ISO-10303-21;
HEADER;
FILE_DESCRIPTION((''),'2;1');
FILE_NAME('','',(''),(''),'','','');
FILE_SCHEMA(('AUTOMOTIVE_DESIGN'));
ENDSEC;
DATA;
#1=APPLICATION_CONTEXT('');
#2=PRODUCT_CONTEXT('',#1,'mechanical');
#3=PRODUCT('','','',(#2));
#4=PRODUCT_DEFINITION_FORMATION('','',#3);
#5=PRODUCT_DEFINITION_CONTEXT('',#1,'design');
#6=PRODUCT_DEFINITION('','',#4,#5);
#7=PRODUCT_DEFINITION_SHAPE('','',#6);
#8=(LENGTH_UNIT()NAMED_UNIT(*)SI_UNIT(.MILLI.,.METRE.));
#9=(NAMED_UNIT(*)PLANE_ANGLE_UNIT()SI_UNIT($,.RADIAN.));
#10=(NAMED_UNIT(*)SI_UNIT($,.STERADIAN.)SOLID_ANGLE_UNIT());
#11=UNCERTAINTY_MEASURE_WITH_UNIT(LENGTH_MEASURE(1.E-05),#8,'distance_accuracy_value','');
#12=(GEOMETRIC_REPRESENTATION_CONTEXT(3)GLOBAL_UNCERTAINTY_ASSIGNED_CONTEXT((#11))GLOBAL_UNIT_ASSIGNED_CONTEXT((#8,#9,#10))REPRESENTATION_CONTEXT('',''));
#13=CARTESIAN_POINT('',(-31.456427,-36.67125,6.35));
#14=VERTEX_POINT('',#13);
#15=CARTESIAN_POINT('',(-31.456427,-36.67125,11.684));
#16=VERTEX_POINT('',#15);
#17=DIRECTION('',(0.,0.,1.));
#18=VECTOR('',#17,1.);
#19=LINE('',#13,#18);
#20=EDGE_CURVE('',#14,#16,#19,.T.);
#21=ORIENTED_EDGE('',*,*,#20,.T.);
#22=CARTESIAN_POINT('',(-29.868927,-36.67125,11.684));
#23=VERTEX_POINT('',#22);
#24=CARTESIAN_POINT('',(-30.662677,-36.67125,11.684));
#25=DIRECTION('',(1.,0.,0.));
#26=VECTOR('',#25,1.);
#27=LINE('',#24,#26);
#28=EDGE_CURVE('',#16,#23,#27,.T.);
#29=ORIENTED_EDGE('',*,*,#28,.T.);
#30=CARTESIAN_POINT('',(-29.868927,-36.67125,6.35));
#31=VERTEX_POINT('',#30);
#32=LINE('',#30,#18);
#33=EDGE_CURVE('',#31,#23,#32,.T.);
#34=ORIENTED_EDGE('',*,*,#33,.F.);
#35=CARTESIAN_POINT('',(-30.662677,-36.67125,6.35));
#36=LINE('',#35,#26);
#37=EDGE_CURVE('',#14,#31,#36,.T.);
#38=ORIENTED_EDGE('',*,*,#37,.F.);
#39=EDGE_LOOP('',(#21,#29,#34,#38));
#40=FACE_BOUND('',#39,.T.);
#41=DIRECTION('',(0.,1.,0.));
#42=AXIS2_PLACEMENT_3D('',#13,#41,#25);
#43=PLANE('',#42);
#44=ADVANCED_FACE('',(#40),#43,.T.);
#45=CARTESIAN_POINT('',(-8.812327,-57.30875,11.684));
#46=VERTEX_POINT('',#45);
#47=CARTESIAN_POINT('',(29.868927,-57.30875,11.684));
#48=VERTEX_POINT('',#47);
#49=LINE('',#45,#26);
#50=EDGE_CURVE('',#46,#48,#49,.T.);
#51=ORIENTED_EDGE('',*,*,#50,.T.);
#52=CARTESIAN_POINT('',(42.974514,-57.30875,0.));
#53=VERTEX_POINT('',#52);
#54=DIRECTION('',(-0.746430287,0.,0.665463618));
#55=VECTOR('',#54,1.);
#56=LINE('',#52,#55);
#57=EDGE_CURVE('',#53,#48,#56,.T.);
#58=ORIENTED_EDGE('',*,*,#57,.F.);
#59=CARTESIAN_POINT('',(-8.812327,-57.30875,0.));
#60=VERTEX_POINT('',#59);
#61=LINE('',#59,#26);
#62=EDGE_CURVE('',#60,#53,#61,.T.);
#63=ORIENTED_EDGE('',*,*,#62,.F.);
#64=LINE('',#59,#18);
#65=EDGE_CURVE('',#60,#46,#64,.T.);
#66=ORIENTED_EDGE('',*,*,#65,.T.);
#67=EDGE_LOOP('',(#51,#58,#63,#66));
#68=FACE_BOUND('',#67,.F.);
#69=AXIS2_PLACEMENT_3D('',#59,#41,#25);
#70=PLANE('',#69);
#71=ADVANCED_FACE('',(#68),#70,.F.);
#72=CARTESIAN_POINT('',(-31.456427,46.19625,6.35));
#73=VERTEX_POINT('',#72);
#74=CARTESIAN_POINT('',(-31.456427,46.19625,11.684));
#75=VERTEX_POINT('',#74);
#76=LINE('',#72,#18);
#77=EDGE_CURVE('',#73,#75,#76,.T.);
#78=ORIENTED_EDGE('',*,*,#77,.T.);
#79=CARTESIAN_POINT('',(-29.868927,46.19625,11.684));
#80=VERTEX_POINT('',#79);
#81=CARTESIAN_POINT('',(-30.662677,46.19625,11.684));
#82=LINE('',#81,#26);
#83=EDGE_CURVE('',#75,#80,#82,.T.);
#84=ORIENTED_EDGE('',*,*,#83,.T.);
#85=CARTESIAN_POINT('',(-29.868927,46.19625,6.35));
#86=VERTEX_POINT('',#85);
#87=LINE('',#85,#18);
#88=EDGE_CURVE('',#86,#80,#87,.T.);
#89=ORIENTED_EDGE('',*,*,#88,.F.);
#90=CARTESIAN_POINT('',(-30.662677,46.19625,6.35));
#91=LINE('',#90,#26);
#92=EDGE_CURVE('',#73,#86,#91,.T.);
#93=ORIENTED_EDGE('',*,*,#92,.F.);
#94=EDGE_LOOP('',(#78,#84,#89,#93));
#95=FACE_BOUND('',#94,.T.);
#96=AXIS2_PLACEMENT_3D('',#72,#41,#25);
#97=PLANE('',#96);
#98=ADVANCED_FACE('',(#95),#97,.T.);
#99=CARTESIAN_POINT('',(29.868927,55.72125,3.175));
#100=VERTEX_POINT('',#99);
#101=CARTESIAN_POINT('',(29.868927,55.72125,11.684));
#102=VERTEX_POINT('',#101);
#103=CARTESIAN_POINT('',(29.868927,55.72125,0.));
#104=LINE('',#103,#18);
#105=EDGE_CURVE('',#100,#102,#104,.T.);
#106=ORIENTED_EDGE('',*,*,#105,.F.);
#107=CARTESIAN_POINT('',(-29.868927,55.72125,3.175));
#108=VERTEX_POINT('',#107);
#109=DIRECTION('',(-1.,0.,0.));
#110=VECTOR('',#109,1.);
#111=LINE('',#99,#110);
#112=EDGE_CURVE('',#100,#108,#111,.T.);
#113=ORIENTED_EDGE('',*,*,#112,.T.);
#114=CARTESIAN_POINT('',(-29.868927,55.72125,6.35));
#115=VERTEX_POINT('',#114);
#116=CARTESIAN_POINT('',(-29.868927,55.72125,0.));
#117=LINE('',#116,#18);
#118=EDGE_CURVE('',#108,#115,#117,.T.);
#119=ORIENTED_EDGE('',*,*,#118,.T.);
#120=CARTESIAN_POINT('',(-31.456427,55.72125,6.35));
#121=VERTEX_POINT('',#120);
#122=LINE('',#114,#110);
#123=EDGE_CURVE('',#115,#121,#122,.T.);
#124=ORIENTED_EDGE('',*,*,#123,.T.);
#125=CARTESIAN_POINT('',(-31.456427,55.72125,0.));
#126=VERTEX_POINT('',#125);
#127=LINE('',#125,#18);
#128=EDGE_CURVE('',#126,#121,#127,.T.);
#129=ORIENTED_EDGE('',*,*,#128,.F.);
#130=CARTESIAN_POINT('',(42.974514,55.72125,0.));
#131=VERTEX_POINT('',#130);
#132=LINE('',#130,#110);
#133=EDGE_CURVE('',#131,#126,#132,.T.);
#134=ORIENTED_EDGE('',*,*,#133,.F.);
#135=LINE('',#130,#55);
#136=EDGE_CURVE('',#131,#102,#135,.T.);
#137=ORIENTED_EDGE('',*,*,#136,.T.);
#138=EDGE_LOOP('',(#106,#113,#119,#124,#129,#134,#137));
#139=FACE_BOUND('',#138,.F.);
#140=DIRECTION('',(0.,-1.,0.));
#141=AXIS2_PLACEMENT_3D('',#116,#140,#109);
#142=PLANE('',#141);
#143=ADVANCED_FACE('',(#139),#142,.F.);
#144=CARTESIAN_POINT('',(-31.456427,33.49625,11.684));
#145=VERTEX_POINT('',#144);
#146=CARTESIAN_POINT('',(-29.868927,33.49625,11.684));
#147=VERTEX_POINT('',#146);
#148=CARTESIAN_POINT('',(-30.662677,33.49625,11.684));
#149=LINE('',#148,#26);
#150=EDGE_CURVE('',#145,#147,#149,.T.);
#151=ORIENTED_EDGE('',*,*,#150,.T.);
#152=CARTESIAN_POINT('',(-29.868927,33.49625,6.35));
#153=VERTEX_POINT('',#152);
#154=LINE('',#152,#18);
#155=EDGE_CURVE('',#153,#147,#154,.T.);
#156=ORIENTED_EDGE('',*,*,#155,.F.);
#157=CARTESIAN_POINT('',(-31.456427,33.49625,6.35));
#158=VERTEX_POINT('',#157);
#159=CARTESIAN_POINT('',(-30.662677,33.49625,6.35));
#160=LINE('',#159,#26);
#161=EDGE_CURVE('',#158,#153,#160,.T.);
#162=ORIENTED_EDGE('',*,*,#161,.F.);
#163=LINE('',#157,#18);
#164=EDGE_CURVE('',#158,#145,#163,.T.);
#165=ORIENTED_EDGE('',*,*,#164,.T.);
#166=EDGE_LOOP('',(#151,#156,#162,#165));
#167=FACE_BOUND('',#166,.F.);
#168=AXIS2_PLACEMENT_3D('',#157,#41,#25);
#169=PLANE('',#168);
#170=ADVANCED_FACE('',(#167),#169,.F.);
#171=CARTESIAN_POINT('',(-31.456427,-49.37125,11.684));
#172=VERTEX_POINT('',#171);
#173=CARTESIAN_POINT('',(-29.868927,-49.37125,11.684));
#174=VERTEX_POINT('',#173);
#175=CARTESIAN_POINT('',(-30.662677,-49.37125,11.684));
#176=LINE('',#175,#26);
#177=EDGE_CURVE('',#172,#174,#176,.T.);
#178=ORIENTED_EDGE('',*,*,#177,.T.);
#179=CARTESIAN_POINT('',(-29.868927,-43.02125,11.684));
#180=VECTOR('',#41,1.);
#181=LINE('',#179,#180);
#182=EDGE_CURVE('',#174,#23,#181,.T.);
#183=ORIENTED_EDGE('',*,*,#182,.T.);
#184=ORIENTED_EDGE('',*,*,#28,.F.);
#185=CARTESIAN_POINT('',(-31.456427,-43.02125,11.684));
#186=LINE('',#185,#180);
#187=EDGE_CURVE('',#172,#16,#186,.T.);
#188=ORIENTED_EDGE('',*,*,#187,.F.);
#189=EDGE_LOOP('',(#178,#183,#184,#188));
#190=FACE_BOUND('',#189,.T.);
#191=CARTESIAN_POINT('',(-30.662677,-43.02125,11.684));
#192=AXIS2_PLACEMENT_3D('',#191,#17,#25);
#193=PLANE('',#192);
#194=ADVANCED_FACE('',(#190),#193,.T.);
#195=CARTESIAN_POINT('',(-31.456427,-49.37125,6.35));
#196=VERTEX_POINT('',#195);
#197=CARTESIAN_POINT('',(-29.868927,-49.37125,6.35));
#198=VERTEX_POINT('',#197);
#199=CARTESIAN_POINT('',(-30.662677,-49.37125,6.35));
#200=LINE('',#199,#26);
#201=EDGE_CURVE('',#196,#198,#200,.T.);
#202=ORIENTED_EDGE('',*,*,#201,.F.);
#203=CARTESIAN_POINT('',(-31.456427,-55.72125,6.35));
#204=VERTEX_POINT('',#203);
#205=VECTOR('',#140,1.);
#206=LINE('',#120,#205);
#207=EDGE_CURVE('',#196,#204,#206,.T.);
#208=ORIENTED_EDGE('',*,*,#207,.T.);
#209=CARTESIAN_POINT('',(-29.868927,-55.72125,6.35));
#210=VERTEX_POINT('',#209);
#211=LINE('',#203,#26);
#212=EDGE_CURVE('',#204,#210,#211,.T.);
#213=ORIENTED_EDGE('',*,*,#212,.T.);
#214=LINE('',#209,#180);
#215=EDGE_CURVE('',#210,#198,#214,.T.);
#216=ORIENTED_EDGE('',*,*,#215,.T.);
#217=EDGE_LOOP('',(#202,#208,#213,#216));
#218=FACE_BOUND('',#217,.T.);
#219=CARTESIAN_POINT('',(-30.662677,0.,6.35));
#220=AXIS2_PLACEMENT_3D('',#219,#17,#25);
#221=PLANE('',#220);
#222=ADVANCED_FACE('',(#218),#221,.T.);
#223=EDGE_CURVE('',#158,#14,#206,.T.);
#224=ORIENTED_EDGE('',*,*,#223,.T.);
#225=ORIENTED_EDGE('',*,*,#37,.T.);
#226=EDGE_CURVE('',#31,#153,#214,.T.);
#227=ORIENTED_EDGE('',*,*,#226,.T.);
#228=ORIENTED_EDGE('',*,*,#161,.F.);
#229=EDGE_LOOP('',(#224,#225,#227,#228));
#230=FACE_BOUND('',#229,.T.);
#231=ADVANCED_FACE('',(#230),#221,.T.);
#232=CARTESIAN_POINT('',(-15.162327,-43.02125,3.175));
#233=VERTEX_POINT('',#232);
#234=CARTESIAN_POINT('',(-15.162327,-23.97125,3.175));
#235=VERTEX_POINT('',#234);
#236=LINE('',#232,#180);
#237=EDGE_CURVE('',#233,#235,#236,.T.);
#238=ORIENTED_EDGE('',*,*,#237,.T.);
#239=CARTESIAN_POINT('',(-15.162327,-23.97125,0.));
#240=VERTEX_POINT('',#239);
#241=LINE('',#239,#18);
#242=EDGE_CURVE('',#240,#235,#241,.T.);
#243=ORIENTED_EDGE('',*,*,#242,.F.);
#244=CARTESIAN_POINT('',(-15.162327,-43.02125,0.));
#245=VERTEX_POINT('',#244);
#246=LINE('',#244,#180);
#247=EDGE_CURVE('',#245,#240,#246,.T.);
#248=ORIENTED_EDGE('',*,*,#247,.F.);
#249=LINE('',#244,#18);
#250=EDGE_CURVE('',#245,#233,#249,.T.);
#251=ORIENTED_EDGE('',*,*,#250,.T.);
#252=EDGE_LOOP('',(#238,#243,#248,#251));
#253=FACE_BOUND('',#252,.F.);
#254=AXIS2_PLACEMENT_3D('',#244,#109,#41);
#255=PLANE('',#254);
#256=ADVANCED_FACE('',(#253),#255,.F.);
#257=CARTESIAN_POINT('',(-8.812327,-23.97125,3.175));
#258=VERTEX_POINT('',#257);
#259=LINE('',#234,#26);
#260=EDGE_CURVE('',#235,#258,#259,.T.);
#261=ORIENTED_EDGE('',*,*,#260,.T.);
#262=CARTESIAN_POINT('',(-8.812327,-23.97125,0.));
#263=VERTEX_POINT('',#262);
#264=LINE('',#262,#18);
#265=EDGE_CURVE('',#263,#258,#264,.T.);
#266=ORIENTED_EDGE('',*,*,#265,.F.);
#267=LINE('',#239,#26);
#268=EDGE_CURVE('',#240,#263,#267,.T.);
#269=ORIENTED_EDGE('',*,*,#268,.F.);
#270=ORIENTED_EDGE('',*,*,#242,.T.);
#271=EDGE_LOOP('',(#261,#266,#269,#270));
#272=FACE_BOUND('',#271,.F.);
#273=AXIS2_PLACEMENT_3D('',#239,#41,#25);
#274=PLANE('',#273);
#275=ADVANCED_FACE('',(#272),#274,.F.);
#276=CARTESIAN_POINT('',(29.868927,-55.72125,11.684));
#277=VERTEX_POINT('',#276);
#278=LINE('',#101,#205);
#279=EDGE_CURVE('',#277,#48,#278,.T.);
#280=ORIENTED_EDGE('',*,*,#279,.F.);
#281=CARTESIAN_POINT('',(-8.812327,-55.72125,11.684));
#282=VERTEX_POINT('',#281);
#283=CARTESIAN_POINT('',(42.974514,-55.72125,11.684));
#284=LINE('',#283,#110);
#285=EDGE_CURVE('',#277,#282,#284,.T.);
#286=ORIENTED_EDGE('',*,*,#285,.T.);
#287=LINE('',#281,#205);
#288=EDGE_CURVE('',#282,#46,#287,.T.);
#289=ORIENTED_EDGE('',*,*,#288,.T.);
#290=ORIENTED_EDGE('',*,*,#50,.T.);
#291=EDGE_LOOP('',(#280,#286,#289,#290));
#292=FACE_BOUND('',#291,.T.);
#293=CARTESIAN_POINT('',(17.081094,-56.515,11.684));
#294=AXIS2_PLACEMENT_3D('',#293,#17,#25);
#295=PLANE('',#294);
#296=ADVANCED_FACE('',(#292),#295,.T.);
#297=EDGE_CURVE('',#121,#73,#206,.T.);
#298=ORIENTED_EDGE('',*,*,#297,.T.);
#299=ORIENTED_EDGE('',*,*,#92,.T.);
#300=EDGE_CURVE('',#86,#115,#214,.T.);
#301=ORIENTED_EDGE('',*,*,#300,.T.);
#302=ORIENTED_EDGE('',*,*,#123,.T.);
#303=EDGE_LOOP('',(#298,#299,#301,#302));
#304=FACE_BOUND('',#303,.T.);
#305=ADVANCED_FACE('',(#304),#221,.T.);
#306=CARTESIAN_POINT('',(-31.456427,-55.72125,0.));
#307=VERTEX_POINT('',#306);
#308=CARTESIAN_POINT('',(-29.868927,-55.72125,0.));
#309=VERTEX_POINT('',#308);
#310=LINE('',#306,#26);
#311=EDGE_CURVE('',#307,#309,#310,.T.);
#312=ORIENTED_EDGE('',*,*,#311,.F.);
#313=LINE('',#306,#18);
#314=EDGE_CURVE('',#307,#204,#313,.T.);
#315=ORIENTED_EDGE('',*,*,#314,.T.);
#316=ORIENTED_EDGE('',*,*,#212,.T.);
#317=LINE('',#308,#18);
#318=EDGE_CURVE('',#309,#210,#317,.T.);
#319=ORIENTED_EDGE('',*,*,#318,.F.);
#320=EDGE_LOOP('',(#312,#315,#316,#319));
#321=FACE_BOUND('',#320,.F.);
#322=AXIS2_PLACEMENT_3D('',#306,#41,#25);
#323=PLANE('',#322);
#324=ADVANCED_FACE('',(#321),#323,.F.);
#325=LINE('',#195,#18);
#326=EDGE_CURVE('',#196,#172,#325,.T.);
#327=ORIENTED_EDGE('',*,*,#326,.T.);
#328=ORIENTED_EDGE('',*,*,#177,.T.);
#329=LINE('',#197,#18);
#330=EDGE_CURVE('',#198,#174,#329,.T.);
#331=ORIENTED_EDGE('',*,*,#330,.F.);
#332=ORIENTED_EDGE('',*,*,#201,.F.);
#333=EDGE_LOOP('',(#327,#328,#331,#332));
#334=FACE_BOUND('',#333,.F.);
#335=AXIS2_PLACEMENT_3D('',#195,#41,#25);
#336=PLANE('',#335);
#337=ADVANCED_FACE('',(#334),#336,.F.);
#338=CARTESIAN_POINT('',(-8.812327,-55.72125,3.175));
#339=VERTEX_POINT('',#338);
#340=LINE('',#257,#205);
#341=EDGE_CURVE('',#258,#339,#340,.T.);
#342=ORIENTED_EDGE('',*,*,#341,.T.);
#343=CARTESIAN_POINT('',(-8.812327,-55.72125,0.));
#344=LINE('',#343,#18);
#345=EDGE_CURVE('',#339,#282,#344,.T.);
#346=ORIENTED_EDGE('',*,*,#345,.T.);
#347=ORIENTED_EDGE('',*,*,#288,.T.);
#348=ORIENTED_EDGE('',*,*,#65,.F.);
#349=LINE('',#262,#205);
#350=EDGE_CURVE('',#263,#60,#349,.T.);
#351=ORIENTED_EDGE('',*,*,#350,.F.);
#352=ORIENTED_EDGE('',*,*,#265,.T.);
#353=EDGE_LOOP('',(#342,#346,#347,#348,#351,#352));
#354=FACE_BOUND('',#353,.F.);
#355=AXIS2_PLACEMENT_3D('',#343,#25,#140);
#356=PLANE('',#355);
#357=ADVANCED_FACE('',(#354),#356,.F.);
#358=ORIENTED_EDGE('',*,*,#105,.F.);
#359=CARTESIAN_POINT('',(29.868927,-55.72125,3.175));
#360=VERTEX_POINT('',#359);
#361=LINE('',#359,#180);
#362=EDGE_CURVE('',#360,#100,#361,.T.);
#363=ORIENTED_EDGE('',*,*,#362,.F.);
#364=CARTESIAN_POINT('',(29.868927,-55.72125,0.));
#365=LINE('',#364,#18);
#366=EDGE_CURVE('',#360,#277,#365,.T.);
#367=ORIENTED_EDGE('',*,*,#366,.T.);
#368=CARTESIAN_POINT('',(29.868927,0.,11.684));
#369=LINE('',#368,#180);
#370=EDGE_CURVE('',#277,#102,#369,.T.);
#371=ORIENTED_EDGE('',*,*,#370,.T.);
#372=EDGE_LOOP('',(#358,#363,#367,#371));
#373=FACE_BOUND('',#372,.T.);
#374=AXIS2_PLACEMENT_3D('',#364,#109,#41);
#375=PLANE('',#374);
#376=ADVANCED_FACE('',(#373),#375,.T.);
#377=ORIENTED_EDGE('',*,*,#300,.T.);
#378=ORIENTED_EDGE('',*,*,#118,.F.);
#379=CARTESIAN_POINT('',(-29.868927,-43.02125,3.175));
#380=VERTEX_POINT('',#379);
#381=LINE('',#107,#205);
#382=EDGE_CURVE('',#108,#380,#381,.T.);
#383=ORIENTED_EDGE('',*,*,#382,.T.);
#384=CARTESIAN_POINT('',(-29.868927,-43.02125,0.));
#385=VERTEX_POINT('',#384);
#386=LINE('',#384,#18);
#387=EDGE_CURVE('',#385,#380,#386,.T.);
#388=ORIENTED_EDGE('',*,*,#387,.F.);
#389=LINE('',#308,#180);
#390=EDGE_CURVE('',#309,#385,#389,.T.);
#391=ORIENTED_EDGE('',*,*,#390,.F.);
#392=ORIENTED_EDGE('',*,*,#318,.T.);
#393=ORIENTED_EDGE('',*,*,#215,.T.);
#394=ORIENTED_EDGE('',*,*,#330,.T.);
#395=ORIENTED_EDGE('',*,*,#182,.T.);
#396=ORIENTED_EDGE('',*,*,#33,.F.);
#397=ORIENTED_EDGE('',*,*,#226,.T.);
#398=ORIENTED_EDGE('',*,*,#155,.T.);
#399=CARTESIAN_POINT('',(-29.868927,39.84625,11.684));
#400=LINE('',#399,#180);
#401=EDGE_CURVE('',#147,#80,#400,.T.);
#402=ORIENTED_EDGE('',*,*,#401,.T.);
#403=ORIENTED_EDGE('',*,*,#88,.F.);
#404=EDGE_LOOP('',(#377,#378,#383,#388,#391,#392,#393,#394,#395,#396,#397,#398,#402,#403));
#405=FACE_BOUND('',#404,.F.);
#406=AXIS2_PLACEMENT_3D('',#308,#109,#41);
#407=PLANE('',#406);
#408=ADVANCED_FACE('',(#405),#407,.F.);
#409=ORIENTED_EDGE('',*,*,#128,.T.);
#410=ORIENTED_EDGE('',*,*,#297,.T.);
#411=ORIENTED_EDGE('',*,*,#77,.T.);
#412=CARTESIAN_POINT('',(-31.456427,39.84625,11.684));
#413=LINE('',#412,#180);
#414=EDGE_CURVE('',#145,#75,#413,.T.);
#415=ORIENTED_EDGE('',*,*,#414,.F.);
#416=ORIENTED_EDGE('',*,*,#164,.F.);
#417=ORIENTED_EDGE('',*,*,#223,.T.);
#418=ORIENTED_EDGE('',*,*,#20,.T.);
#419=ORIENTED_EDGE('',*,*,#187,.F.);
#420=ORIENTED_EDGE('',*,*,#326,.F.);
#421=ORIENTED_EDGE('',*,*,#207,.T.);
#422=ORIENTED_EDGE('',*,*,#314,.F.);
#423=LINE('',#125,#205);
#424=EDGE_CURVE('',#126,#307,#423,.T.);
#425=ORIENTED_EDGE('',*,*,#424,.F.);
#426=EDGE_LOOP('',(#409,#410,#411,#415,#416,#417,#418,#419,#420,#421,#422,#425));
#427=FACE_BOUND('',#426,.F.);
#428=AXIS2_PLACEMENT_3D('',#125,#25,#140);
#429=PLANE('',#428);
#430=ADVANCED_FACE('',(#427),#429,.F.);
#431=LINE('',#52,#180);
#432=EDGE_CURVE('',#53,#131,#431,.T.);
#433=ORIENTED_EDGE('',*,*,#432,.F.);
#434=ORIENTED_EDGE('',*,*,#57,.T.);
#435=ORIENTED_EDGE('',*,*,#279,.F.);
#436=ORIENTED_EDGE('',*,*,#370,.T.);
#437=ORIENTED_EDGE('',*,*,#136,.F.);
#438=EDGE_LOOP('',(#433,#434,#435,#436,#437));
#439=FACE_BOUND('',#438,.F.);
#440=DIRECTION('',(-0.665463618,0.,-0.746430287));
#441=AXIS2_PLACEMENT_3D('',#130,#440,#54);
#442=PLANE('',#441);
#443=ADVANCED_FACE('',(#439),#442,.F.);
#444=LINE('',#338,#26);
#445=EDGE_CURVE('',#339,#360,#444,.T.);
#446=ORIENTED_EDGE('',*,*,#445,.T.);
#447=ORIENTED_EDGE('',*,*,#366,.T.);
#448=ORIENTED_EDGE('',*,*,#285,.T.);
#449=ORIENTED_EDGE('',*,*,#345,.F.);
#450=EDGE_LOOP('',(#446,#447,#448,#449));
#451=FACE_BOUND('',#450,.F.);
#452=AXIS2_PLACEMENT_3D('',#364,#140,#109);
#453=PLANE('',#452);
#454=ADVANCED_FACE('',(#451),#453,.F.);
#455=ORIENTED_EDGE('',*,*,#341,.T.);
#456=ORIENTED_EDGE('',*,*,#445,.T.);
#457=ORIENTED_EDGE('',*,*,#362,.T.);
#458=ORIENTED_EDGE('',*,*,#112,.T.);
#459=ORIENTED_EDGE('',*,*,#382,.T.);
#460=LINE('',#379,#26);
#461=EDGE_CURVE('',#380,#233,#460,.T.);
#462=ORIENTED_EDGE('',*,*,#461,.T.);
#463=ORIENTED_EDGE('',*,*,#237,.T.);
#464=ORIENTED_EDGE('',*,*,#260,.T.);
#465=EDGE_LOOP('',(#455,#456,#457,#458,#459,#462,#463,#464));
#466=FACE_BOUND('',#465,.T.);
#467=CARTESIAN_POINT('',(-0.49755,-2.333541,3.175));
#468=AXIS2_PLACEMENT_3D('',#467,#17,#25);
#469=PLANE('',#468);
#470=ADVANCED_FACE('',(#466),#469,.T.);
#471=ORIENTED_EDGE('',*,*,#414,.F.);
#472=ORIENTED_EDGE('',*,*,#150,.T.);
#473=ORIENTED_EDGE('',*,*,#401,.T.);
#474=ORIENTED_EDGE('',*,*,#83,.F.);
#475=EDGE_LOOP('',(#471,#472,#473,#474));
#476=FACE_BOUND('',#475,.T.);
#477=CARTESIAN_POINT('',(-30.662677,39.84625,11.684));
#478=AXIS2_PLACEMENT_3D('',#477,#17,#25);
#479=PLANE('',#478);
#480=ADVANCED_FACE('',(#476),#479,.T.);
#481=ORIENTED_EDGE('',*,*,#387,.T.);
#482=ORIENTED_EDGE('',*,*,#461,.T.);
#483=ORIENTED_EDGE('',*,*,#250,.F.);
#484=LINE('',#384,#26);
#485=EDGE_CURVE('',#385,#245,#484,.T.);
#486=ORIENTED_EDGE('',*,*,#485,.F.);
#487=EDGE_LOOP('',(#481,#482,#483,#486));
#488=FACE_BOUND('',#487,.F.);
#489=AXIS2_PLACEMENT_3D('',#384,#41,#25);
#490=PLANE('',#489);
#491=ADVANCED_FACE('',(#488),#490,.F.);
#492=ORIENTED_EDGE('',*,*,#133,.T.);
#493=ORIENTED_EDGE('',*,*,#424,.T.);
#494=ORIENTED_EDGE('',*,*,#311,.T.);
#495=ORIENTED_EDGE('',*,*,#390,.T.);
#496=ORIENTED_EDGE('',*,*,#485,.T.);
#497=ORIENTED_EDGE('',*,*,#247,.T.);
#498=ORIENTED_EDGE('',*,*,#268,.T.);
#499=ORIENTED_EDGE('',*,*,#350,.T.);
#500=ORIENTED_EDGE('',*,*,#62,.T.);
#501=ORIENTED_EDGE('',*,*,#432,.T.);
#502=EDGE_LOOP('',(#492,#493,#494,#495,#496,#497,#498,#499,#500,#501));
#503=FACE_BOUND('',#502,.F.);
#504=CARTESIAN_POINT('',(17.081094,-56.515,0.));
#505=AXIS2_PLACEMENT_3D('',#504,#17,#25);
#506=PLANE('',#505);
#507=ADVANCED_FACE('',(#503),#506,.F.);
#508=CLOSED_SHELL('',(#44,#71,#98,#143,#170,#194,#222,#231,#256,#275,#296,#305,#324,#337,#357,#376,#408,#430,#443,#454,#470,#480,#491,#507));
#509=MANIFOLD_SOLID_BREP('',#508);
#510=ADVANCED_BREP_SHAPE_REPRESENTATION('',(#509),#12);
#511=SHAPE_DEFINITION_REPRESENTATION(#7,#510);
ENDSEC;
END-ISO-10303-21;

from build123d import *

# Parameters (mm, degrees)
F1_DEPTH = 3.175
F2_DEPTH = 6.35
F0_W     = 13.1055872
F0_H     = 111.4425
F3_DEPTH = 11.684
F5_DEPTH = 113.03
F6_W     = 1.5875
F6_H     = 12.7
F7_DEPTH = 5.334


with BuildPart() as f1:
    # F0 (on Top) → F1 (new body)
    with BuildSketch(Plane.XY):
        Polygon((29.8689268, -55.72125), (29.8689268, 55.72125), (-29.8689268, 55.72125), (-29.8689268, -43.02125), (-15.1623268, -43.02125), (-15.1623268, -23.97125), (-8.8123268, -23.97125), (-8.8123268, -43.02125), (-8.8123268, -55.72125), align=None)
    extrude(amount=F1_DEPTH)

    # F0 (on Top) → F2 (join)
    with BuildSketch(Plane.XY):
        Polygon((-29.8689268, -43.02125), (-29.8689268, 55.72125), (-31.4564268, 55.72125), (-31.4564268, -55.72125), (-29.8689268, -55.72125), align=None)
    extrude(amount=F2_DEPTH)

    # F0 (on Top) → F3 (join)
    with BuildSketch(Plane.XY):
        Polygon((42.974514, -55.72125), (29.8689268, -55.72125), (-8.8123268, -55.72125), (-8.8123268, -57.30875), (42.974514, -57.30875), align=None)
        with Locations((36.4217204, 0)):
            Rectangle(F0_W, F0_H)
    extrude(amount=F3_DEPTH)

    # F4 (on face) → F5 (cut, through all)
    with BuildSketch(Plane(origin=(0, 55.72125, 0), x_dir=(-1, 0, 0), z_dir=(0, 1, 0))):
        Polygon((-42.974514, 0), (-29.8689268, 11.684), (-42.974514, 11.684), align=None)
    extrude(amount=-F5_DEPTH, mode=Mode.SUBTRACT)

    # F6 (on face) → F7 (join, through all)
    with BuildSketch(Plane.XY.offset(6.35)):
        with Locations((-30.6626768, 39.84625)):
            Rectangle(F6_W, F6_H)
        with Locations((-30.6626768, -43.02125)):
            Rectangle(F6_W, F6_H)
    extrude(amount=F7_DEPTH)


solid = f1.part
